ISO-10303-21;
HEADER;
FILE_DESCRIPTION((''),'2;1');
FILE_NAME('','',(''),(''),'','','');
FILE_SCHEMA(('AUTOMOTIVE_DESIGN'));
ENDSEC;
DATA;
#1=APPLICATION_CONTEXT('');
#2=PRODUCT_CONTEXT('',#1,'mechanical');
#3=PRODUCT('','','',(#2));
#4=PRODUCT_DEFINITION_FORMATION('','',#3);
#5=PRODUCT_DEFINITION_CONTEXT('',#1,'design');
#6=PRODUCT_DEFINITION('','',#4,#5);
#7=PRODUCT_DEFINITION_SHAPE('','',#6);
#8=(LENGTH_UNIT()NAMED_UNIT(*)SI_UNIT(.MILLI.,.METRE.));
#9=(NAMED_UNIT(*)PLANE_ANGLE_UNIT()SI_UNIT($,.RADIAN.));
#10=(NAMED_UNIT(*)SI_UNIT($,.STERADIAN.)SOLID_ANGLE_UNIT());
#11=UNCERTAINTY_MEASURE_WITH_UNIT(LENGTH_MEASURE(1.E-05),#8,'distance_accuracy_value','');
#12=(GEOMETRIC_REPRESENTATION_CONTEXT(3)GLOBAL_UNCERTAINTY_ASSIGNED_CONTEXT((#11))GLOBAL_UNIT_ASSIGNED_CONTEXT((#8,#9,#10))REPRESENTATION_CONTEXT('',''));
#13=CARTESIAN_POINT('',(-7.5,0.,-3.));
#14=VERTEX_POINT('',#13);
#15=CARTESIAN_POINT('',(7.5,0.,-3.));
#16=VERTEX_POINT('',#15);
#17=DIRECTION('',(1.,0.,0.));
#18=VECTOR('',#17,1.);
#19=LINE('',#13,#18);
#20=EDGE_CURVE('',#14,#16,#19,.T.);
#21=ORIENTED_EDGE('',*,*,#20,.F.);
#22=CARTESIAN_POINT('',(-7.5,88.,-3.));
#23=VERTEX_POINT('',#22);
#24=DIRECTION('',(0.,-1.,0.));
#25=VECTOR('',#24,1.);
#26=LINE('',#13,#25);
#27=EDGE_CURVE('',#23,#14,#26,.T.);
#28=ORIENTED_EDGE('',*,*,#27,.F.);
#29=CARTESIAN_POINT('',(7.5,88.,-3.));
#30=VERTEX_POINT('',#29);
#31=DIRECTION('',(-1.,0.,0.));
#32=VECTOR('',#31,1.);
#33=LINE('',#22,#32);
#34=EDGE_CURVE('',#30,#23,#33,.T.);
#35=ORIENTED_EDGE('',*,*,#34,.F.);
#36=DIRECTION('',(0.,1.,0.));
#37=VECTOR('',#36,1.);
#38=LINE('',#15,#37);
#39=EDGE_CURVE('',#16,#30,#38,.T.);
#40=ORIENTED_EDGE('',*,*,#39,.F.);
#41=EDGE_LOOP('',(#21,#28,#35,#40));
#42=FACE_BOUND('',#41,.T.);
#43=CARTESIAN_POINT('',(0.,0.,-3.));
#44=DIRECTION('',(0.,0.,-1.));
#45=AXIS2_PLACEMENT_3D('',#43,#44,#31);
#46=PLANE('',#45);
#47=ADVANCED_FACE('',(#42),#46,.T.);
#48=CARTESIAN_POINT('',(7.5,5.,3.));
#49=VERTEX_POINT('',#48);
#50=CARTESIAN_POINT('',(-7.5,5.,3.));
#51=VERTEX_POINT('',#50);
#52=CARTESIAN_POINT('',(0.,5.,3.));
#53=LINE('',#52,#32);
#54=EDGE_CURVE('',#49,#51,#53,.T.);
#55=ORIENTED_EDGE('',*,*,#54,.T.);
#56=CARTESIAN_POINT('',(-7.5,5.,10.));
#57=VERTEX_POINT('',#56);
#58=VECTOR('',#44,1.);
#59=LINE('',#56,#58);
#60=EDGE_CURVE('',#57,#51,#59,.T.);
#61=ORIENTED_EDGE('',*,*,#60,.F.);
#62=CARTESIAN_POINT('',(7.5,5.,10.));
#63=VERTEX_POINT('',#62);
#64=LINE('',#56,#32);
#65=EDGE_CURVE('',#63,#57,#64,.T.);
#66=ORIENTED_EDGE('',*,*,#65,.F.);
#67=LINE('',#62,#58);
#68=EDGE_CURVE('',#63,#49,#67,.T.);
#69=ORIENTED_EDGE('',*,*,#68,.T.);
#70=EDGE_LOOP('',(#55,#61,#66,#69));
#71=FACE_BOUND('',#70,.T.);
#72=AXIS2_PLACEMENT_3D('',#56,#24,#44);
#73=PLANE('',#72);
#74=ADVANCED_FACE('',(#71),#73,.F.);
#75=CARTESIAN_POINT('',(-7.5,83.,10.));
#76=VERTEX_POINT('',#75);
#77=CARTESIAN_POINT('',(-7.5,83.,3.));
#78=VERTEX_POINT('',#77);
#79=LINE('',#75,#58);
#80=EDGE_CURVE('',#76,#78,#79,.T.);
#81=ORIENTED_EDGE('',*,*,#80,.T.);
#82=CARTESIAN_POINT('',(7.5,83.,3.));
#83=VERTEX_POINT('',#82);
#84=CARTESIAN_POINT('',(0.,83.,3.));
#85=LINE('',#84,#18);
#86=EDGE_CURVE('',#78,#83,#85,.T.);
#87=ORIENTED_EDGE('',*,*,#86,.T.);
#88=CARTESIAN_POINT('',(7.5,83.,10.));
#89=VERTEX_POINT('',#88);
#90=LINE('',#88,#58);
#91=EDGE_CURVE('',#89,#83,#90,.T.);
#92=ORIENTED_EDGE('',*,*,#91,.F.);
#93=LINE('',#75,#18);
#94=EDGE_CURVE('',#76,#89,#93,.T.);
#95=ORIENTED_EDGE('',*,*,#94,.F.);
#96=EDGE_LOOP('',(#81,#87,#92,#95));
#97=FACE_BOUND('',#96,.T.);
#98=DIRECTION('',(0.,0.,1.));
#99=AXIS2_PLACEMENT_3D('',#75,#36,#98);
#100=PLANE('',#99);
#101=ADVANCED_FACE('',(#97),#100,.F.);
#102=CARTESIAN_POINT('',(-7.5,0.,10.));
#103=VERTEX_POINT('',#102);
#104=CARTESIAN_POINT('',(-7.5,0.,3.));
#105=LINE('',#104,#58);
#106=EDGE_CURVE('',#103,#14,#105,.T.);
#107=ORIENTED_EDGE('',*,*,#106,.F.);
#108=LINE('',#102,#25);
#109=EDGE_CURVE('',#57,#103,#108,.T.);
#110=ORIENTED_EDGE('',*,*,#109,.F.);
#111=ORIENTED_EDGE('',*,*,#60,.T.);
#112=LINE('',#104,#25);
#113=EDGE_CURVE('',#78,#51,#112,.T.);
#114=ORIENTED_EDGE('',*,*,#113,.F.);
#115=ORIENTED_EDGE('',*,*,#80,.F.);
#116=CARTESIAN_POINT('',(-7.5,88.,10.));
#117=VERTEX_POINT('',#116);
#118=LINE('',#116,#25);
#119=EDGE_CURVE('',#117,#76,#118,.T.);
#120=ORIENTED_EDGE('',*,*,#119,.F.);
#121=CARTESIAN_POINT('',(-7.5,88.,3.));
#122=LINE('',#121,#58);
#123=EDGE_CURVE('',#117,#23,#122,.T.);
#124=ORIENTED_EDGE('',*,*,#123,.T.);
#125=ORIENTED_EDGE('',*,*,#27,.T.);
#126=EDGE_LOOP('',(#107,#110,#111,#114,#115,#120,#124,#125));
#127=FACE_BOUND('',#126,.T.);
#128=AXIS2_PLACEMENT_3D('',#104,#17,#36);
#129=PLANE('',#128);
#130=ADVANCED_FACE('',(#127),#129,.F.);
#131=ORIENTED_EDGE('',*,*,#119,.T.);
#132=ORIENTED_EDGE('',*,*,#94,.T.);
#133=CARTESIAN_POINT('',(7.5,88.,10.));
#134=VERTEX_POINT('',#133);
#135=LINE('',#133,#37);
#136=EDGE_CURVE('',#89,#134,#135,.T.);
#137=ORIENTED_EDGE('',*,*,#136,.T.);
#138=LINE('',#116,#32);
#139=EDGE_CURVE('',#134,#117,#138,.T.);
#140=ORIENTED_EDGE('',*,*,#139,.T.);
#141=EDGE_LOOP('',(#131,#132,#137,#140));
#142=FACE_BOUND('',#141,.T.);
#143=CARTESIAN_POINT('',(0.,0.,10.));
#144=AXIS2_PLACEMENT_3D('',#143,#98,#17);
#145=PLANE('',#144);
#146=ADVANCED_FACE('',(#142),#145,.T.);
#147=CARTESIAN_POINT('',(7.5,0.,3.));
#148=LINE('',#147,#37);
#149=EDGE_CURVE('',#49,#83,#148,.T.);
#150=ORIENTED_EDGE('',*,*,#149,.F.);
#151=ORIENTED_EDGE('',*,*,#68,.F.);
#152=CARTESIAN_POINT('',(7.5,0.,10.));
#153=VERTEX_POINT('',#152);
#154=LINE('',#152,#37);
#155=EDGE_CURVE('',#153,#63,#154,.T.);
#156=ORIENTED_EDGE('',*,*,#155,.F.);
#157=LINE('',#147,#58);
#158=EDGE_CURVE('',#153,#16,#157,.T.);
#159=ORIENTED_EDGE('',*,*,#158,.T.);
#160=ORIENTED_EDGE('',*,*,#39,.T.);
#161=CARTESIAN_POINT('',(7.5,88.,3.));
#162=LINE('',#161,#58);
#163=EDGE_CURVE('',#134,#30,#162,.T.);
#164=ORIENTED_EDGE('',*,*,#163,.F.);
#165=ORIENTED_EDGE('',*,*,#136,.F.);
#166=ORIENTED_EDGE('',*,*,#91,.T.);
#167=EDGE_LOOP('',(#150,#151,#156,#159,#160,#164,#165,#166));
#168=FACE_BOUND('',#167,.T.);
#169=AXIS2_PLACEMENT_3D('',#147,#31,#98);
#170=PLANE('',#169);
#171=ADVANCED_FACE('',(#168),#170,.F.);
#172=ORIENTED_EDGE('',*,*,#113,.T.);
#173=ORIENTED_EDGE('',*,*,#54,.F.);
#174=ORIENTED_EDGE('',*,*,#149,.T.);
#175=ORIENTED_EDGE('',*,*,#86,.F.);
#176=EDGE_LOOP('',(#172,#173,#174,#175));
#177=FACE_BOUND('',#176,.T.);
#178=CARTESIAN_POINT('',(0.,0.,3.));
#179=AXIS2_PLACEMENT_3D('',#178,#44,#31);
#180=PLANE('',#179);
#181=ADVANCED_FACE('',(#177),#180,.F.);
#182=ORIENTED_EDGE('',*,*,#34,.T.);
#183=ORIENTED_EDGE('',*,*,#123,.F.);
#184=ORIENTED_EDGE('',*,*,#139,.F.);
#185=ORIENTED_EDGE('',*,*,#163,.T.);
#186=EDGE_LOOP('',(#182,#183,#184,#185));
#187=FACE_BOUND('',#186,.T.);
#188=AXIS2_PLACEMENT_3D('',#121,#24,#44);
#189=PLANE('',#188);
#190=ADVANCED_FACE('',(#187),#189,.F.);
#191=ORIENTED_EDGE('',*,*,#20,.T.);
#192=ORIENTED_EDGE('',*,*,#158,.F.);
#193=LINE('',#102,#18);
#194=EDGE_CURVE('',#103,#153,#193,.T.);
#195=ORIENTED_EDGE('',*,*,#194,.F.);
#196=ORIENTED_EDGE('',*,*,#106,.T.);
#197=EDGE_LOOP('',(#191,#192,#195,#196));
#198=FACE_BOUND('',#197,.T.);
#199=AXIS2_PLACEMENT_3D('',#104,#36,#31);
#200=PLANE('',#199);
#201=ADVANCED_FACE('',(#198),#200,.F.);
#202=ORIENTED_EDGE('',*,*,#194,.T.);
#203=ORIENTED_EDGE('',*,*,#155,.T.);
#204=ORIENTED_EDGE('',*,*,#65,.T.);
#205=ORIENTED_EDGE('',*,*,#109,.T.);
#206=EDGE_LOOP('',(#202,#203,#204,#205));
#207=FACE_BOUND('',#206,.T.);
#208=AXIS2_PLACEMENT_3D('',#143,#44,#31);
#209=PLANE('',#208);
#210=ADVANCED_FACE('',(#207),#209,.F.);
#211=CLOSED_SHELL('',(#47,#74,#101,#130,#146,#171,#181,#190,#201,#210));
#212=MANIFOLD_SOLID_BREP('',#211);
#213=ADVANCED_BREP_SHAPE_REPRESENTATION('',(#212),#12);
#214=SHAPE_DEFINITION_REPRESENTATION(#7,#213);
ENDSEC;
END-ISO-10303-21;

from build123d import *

# Parameters (mm, degrees)
SKETCH1_W           = 15
SKETCH1_H           = 88
BOSS_EXTRUDE1_DEPTH = 3
SKETCH2_W           = 15
SKETCH2_H           = 5
BOSS_EXTRUDE2_DEPTH = 10
SKETCH3_W           = 15
SKETCH3_H           = 5
BOSS_EXTRUDE3_DEPTH = 10


with BuildPart() as part:
    # Sketch1 → Boss-Extrude1 (new body, symmetric)
    with BuildSketch(Plane.XY):
        with Locations((0, 44)):
            Rectangle(SKETCH1_W, SKETCH1_H)
    extrude(amount=BOSS_EXTRUDE1_DEPTH, both=True)

    # Sketch2 → Boss-Extrude2 (add)
    with BuildSketch(Plane.XY):
        with Locations((0, 2.5)):
            Rectangle(SKETCH2_W, SKETCH2_H)
    extrude(amount=BOSS_EXTRUDE2_DEPTH)

    # Sketch3 → Boss-Extrude3 (add)
    with BuildSketch(Plane.XY):
        with Locations((0, 85.5)):
            Rectangle(SKETCH3_W, SKETCH3_H)
    extrude(amount=BOSS_EXTRUDE3_DEPTH)


solid = part.part
